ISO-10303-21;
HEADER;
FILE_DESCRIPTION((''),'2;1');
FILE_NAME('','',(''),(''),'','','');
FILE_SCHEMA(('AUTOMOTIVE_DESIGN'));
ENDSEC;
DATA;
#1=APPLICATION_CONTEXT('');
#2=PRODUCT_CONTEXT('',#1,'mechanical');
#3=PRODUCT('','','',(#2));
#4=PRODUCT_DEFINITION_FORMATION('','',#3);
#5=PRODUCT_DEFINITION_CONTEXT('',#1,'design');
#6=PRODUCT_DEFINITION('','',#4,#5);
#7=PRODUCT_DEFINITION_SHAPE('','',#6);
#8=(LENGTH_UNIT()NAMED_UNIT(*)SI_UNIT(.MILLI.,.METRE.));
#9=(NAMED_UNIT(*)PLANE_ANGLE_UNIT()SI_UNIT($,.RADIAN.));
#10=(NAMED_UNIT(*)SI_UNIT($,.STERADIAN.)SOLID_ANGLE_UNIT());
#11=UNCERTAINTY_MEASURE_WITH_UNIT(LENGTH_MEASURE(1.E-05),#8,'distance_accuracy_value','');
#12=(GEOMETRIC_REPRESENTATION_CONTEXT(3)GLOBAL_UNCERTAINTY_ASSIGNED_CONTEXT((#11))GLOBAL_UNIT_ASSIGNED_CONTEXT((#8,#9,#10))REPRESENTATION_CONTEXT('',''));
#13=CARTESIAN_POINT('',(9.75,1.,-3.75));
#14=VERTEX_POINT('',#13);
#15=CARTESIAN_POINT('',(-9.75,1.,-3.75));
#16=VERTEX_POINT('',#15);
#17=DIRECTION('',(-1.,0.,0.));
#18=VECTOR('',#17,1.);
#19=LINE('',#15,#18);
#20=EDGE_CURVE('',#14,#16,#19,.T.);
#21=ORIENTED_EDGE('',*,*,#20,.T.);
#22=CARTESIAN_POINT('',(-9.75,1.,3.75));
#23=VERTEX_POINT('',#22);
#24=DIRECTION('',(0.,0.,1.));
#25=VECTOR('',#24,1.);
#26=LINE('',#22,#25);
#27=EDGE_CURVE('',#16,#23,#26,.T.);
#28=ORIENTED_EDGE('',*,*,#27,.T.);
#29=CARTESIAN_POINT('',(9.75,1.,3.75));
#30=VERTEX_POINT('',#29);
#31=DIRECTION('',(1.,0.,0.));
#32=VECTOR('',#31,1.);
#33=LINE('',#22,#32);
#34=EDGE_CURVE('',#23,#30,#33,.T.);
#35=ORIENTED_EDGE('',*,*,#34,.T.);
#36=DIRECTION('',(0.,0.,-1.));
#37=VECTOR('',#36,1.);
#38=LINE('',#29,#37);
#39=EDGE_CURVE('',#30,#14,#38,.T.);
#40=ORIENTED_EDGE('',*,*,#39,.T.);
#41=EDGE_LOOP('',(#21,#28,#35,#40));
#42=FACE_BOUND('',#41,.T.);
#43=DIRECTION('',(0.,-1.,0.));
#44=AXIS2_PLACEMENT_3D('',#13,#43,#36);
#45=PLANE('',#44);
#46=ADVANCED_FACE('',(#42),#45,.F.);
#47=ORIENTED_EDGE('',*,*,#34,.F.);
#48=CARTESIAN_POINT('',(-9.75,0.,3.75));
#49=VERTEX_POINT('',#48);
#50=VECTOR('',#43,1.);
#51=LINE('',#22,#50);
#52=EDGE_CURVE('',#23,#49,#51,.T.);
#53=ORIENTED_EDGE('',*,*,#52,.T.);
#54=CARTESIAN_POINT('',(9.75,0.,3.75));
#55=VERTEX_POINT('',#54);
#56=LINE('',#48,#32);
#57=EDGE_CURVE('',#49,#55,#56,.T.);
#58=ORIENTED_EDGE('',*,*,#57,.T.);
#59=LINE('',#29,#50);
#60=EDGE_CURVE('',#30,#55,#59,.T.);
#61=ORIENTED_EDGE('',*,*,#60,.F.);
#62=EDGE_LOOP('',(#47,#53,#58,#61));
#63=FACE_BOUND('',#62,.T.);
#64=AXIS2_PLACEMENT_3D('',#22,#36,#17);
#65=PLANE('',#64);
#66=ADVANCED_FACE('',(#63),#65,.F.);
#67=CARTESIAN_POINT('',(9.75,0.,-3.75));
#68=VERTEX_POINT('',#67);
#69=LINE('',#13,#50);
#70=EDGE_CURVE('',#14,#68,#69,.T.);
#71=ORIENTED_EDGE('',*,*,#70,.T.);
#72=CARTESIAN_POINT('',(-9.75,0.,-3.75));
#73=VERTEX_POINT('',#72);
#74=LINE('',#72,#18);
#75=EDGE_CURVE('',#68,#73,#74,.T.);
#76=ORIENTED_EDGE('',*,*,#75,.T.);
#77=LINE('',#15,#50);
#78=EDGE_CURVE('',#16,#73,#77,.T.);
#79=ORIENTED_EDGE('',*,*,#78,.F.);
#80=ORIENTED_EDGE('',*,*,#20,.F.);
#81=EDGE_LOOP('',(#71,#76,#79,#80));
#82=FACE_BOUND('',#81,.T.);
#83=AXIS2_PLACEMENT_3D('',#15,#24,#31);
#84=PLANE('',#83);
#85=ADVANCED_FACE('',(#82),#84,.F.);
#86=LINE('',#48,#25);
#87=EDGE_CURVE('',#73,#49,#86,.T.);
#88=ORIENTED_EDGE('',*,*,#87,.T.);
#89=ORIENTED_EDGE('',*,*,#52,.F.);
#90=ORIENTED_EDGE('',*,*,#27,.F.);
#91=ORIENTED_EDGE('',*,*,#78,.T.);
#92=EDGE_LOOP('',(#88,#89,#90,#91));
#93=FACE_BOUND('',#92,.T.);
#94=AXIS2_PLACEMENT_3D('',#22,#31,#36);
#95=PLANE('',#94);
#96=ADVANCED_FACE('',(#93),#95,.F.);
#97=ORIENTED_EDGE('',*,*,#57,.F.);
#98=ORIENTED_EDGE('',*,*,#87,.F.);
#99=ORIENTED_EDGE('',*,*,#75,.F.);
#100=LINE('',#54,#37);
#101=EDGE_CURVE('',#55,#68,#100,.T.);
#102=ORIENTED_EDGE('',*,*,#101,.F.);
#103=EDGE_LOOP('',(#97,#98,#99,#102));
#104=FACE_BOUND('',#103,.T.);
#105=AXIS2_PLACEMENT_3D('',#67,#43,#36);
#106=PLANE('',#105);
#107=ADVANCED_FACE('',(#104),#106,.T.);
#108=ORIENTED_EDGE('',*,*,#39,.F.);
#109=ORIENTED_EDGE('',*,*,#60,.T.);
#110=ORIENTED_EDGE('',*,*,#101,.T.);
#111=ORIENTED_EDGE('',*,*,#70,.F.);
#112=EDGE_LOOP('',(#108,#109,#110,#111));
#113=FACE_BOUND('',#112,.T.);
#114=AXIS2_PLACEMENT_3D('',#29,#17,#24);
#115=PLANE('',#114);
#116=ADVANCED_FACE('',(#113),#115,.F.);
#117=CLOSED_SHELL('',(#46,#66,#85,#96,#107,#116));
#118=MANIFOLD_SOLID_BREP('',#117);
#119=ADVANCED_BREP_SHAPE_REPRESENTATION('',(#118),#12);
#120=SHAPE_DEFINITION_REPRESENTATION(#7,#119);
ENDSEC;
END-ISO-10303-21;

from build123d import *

# Parameters (mm, degrees)
SKETCH_2_W      = 19.5
SKETCH_2_H      = 7.5
EXTRUDE_1_DEPTH = 1


with BuildPart() as part:
    # 草圖2 → 伸長1 (new body)
    with BuildSketch(Plane(origin=(0, 0, 0), x_dir=(1, 0, 0), z_dir=(0, 1, 0))):
        Rectangle(SKETCH_2_W, SKETCH_2_H)
    extrude(amount=EXTRUDE_1_DEPTH)


solid = part.part
